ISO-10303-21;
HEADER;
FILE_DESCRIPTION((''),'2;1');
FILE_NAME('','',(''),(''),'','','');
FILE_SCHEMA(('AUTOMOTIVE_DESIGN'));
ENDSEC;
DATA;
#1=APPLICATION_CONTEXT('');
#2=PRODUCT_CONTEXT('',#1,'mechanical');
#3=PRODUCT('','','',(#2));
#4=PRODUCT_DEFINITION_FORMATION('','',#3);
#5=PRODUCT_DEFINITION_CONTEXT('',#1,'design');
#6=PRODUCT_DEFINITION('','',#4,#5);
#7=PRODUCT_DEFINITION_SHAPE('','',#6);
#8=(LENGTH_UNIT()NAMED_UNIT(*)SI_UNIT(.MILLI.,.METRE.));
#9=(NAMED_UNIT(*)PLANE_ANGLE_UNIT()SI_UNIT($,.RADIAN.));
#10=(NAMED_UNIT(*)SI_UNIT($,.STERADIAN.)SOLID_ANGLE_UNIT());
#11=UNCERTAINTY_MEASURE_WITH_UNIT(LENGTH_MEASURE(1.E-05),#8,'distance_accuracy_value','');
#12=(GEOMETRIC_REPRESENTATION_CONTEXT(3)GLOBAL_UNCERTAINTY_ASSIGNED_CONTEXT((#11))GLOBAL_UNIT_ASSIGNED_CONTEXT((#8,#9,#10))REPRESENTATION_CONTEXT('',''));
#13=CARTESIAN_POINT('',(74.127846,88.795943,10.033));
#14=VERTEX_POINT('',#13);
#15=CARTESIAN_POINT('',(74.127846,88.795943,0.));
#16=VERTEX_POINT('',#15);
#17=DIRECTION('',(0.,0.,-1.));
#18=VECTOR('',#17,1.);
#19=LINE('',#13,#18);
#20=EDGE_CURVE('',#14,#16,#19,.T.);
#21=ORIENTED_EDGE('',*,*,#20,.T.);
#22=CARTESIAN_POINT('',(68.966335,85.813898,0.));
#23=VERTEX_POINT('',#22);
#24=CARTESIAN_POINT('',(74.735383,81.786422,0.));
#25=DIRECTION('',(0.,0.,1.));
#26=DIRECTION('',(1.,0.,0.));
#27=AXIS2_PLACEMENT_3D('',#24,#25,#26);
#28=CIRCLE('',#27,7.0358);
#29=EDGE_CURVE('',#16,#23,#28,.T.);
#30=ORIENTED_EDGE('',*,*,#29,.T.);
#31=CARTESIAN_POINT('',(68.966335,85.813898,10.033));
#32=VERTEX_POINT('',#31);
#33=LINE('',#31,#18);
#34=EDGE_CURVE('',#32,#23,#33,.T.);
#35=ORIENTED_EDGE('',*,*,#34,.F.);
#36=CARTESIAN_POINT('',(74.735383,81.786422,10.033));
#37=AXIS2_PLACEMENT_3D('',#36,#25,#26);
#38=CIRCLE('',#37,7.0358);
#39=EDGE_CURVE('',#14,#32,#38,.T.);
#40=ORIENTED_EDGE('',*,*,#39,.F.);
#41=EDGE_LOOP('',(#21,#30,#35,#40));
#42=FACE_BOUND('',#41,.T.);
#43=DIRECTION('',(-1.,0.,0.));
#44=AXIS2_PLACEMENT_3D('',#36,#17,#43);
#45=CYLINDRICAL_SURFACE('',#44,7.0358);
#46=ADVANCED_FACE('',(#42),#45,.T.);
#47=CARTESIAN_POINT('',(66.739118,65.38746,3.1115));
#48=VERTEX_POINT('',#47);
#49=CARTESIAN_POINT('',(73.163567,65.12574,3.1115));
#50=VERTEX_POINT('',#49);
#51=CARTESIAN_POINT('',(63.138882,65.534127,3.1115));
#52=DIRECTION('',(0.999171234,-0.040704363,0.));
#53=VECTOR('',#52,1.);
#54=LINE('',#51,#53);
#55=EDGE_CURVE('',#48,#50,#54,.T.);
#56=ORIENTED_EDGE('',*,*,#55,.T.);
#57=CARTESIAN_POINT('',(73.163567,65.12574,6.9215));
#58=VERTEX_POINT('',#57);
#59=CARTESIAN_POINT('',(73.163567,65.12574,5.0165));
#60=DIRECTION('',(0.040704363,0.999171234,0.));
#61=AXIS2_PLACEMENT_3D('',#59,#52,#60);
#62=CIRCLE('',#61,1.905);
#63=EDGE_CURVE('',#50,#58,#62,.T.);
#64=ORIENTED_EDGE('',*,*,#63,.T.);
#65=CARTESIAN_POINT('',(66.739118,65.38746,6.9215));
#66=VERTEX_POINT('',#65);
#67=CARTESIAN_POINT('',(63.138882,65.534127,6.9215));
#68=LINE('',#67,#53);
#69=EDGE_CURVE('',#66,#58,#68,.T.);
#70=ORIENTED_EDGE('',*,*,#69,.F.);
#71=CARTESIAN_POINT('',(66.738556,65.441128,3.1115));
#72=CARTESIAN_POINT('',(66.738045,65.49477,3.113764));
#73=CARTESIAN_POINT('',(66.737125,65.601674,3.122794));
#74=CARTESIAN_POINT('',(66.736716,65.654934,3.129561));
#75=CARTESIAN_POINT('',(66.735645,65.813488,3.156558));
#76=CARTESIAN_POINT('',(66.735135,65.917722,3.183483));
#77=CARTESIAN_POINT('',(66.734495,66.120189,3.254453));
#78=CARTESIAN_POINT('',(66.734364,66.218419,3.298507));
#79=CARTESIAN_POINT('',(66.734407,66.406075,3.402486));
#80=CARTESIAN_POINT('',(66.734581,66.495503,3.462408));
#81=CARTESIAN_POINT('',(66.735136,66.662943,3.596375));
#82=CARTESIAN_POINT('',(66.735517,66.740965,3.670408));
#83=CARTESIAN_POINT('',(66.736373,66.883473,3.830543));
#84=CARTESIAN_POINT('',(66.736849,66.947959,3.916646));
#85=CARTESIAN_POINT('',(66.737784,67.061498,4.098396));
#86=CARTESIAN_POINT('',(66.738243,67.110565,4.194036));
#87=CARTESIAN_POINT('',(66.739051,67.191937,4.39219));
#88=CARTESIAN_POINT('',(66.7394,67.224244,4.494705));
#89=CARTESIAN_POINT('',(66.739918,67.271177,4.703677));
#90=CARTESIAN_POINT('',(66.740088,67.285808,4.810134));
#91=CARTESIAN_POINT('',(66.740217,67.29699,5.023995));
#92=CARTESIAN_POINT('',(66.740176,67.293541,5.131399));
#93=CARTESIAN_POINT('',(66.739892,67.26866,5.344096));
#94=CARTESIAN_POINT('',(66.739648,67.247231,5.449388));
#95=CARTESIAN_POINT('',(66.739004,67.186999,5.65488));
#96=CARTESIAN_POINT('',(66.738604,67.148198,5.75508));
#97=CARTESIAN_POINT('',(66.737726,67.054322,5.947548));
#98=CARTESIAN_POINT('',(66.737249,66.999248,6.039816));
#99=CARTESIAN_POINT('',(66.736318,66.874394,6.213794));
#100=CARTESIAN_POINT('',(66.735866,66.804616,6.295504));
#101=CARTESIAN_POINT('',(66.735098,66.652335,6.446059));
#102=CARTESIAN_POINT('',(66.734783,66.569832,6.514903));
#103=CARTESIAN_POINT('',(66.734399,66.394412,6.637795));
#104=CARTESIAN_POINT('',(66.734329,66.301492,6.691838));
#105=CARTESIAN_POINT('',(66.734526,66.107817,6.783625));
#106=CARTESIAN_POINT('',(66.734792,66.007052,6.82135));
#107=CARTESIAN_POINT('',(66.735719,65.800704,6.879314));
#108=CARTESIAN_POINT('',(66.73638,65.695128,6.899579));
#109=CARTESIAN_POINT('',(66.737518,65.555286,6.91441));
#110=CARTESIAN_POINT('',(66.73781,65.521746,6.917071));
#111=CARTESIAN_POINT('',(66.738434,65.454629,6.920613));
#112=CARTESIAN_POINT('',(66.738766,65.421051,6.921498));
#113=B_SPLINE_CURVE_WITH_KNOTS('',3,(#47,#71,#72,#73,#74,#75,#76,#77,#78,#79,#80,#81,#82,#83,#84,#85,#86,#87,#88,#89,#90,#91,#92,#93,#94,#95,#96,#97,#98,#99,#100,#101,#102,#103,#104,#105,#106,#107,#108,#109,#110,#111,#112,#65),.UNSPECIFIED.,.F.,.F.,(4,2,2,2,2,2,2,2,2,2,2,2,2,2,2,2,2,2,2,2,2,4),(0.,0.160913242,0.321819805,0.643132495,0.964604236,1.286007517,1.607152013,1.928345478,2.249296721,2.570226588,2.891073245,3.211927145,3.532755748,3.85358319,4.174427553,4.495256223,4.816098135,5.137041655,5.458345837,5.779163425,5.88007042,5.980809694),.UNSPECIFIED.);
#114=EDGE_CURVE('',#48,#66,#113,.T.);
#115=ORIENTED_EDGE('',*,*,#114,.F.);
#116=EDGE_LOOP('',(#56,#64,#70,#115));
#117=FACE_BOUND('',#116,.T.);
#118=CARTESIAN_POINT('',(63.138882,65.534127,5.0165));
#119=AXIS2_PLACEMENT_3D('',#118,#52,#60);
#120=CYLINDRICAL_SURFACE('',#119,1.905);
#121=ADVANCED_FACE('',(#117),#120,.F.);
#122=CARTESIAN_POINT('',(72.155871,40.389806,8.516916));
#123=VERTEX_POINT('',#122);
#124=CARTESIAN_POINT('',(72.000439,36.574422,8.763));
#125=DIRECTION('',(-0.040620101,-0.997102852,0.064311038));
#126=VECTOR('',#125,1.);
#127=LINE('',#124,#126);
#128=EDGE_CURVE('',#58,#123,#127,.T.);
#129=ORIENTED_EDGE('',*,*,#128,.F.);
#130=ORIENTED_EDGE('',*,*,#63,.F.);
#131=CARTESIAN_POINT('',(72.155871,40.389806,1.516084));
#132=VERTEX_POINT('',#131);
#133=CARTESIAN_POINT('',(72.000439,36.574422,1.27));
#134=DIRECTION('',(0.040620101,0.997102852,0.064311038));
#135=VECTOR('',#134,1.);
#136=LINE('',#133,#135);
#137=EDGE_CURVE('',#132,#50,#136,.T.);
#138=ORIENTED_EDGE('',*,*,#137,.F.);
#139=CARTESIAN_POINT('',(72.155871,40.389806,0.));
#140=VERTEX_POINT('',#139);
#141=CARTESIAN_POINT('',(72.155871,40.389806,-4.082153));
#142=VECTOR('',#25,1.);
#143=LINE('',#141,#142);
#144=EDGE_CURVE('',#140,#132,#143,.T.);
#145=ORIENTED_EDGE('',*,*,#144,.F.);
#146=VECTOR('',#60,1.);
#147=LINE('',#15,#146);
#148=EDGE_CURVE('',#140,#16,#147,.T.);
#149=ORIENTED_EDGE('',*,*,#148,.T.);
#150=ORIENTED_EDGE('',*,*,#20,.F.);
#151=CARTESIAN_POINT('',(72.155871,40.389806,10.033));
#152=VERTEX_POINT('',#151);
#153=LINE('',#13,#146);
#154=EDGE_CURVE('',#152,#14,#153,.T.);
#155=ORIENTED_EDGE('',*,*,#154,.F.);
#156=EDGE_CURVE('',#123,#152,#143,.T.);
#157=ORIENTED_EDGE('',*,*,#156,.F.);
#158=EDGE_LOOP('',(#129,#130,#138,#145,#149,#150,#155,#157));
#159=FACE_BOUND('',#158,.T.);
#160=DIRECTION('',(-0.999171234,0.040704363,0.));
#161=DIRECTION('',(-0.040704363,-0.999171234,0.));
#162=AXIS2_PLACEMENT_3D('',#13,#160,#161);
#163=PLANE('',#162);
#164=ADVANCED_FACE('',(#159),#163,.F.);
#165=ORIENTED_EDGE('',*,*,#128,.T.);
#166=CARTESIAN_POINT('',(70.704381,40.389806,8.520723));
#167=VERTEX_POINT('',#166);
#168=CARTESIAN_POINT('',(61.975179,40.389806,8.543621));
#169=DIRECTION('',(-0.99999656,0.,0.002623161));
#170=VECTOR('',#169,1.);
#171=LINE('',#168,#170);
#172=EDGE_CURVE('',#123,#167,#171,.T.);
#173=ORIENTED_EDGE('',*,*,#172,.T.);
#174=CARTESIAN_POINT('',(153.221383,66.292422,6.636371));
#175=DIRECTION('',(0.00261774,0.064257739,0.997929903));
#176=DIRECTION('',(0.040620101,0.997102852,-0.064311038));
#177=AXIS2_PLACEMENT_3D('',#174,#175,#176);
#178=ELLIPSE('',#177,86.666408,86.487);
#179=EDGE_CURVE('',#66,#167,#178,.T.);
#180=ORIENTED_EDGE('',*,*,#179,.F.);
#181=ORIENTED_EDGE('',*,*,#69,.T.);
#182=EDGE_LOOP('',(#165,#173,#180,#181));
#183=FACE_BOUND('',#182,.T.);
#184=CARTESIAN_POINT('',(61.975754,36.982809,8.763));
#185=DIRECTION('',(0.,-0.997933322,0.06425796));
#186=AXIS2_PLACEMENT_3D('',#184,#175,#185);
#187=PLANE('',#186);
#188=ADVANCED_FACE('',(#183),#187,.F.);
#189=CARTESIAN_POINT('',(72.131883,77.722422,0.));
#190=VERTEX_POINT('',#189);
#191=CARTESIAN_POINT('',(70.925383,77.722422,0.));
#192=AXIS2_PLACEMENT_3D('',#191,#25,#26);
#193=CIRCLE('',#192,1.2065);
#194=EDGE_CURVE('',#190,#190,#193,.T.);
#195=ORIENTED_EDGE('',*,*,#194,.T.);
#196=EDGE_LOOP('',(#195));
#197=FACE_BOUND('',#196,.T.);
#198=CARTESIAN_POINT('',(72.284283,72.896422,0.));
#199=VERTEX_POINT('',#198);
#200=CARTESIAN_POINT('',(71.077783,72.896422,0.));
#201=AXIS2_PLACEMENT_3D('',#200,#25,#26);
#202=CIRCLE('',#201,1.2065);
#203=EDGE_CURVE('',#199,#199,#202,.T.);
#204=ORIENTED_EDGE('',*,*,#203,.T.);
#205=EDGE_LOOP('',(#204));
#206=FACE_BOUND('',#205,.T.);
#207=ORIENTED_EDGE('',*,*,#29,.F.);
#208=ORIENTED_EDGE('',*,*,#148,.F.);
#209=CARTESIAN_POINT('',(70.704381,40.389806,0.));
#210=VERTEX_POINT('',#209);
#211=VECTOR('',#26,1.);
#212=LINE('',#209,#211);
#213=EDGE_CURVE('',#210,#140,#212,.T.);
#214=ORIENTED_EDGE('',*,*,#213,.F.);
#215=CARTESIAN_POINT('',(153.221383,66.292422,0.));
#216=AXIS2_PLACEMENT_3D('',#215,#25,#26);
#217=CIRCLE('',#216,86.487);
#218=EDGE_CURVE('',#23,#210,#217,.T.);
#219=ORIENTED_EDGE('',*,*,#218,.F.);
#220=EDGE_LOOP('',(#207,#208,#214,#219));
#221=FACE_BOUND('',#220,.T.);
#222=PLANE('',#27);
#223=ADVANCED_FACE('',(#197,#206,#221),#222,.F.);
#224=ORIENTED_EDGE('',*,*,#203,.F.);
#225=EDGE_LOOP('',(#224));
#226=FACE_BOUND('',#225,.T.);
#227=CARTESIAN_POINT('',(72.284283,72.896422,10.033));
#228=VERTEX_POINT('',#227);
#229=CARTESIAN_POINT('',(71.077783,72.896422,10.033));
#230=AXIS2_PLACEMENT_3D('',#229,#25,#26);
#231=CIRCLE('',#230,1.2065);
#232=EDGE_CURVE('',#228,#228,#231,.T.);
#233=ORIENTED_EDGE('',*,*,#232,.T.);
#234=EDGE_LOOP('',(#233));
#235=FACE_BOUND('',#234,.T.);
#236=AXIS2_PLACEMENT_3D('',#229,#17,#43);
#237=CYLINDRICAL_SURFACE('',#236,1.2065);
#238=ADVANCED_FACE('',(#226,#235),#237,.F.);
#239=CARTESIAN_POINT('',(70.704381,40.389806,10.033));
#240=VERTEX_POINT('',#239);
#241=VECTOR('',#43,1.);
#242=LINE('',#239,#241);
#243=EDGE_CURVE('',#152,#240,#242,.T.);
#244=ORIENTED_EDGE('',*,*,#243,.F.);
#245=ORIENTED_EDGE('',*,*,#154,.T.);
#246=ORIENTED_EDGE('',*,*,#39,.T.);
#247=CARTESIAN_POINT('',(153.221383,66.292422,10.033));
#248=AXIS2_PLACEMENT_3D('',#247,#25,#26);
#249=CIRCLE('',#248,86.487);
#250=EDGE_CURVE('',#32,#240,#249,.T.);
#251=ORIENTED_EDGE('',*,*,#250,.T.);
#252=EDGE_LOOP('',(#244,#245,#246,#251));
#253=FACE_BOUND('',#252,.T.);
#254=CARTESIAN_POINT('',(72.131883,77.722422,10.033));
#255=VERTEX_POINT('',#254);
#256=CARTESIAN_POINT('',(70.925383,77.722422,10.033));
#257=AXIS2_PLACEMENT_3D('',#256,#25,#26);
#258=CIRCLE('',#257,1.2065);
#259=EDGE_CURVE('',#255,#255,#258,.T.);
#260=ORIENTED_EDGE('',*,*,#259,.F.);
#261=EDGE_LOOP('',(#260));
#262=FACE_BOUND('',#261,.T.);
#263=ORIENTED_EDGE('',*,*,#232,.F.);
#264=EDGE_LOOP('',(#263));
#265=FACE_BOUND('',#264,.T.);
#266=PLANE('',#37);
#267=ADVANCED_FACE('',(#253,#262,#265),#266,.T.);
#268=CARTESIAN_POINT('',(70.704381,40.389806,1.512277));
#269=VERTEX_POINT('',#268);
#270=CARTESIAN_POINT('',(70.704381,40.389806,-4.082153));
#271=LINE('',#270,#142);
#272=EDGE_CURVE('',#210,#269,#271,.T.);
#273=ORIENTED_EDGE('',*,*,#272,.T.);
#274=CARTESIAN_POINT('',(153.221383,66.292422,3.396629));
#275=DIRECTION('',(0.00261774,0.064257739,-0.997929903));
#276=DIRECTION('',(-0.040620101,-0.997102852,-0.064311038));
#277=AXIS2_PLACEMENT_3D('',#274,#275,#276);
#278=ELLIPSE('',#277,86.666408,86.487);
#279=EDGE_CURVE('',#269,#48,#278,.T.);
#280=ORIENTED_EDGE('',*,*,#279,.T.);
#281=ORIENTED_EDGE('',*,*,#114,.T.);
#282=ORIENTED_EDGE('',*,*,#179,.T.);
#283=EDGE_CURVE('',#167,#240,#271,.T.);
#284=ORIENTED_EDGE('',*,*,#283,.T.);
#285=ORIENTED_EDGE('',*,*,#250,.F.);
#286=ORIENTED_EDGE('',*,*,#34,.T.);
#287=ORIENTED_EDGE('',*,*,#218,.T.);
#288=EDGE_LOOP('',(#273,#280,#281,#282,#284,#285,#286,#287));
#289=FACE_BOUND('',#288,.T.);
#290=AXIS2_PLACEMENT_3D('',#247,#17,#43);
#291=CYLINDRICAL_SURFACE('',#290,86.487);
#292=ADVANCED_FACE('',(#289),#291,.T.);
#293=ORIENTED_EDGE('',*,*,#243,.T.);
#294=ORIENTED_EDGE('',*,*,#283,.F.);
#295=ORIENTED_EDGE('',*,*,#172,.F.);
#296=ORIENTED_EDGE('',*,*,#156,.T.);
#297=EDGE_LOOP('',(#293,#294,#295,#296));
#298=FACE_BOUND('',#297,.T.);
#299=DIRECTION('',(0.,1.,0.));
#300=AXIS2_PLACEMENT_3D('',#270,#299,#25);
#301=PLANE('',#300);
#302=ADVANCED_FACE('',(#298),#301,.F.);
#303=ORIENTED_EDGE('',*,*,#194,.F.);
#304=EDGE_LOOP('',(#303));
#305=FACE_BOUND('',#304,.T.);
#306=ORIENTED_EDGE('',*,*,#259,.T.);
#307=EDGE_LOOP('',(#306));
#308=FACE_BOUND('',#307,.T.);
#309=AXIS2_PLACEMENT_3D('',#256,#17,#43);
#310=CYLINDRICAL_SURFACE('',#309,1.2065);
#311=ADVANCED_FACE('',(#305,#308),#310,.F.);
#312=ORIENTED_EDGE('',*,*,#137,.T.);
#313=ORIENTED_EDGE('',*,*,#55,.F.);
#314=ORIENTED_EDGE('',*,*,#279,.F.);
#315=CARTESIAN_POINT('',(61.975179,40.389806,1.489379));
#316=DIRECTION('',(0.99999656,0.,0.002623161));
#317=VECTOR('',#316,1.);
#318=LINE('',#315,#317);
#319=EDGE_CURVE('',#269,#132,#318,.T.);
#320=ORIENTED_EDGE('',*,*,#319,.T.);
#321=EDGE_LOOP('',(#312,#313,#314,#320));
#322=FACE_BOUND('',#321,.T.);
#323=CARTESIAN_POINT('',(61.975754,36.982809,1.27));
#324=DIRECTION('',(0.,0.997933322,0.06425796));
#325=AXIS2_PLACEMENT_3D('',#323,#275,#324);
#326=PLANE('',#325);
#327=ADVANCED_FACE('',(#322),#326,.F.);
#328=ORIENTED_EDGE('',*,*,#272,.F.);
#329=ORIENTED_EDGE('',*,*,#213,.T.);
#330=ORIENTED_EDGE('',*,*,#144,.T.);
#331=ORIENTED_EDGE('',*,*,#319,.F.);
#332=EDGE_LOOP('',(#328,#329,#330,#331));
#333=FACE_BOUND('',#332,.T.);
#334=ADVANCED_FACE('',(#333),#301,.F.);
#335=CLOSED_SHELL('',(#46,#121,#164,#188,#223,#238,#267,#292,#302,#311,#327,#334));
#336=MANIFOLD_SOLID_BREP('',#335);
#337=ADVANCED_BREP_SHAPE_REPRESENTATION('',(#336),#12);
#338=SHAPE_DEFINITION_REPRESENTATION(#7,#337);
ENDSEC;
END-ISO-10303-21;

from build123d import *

# Parameters (mm, degrees)
SKETCH1_R           = 1.2065
BOSS_EXTRUDE1_DEPTH = 10.033
CUT_EXTRUDE1_DEPTH  = 10.033
CUT_EXTRUDE2_DEPTH  = 10.033


with BuildPart() as part:
    # Sketch1 → Boss-Extrude1 (new body)
    with BuildSketch(Plane.XY):
        with BuildLine():
            Line((74.127846298, 88.795942837), (72.00043944, 36.574422097))
            ThreePointArc((72.00043944, 36.574422097), (66.89810991, 60.973237803), (68.966334727, 85.813898433))
            ThreePointArc((68.966334727, 85.813898433), (71.21567331, 87.878558548), (74.127846298, 88.795942837))
        make_face()
        with Locations((70.925382829, 77.722422097)):
            Circle(SKETCH1_R, mode=Mode.SUBTRACT)
        with Locations((71.077782829, 72.896422097)):
            Circle(SKETCH1_R, mode=Mode.SUBTRACT)
    extrude(amount=BOSS_EXTRUDE1_DEPTH)

    # Sketch2 → Cut-Extrude1 (cut)
    with BuildSketch(Plane(origin=(70.393641123, -2.867704976, 0), x_dir=(0, 0, -1), z_dir=(0.999171234, -0.040704363, 0))):
        with BuildLine():
            Line((-1.27, 39.474842481), (-8.763, 39.474842481))
            Line((-8.763, 39.474842481), (-6.9215, 68.049842481))
            ThreePointArc((-6.9215, 68.049842481), (-5.0165, 69.954842481), (-3.1115, 68.049842481))
            Line((-3.1115, 68.049842481), (-1.27, 39.474842481))
        make_face()
    extrude(amount=-CUT_EXTRUDE1_DEPTH, mode=Mode.SUBTRACT)

    # Sketch3 → Cut-Extrude2 (cut)
    with BuildSketch(Plane.XY.offset(10.033)):
        with BuildLine():
            Line((70.704380761, 40.389805653), (72.155871014, 40.389805653))
            Line((72.155871014, 40.389805653), (72.00043944, 36.574422097))
            ThreePointArc((72.00043944, 36.574422097), (71.330186821, 38.474564785), (70.704380761, 40.389805653))
        make_face()
    extrude(amount=-CUT_EXTRUDE2_DEPTH, mode=Mode.SUBTRACT)


solid = part.part
